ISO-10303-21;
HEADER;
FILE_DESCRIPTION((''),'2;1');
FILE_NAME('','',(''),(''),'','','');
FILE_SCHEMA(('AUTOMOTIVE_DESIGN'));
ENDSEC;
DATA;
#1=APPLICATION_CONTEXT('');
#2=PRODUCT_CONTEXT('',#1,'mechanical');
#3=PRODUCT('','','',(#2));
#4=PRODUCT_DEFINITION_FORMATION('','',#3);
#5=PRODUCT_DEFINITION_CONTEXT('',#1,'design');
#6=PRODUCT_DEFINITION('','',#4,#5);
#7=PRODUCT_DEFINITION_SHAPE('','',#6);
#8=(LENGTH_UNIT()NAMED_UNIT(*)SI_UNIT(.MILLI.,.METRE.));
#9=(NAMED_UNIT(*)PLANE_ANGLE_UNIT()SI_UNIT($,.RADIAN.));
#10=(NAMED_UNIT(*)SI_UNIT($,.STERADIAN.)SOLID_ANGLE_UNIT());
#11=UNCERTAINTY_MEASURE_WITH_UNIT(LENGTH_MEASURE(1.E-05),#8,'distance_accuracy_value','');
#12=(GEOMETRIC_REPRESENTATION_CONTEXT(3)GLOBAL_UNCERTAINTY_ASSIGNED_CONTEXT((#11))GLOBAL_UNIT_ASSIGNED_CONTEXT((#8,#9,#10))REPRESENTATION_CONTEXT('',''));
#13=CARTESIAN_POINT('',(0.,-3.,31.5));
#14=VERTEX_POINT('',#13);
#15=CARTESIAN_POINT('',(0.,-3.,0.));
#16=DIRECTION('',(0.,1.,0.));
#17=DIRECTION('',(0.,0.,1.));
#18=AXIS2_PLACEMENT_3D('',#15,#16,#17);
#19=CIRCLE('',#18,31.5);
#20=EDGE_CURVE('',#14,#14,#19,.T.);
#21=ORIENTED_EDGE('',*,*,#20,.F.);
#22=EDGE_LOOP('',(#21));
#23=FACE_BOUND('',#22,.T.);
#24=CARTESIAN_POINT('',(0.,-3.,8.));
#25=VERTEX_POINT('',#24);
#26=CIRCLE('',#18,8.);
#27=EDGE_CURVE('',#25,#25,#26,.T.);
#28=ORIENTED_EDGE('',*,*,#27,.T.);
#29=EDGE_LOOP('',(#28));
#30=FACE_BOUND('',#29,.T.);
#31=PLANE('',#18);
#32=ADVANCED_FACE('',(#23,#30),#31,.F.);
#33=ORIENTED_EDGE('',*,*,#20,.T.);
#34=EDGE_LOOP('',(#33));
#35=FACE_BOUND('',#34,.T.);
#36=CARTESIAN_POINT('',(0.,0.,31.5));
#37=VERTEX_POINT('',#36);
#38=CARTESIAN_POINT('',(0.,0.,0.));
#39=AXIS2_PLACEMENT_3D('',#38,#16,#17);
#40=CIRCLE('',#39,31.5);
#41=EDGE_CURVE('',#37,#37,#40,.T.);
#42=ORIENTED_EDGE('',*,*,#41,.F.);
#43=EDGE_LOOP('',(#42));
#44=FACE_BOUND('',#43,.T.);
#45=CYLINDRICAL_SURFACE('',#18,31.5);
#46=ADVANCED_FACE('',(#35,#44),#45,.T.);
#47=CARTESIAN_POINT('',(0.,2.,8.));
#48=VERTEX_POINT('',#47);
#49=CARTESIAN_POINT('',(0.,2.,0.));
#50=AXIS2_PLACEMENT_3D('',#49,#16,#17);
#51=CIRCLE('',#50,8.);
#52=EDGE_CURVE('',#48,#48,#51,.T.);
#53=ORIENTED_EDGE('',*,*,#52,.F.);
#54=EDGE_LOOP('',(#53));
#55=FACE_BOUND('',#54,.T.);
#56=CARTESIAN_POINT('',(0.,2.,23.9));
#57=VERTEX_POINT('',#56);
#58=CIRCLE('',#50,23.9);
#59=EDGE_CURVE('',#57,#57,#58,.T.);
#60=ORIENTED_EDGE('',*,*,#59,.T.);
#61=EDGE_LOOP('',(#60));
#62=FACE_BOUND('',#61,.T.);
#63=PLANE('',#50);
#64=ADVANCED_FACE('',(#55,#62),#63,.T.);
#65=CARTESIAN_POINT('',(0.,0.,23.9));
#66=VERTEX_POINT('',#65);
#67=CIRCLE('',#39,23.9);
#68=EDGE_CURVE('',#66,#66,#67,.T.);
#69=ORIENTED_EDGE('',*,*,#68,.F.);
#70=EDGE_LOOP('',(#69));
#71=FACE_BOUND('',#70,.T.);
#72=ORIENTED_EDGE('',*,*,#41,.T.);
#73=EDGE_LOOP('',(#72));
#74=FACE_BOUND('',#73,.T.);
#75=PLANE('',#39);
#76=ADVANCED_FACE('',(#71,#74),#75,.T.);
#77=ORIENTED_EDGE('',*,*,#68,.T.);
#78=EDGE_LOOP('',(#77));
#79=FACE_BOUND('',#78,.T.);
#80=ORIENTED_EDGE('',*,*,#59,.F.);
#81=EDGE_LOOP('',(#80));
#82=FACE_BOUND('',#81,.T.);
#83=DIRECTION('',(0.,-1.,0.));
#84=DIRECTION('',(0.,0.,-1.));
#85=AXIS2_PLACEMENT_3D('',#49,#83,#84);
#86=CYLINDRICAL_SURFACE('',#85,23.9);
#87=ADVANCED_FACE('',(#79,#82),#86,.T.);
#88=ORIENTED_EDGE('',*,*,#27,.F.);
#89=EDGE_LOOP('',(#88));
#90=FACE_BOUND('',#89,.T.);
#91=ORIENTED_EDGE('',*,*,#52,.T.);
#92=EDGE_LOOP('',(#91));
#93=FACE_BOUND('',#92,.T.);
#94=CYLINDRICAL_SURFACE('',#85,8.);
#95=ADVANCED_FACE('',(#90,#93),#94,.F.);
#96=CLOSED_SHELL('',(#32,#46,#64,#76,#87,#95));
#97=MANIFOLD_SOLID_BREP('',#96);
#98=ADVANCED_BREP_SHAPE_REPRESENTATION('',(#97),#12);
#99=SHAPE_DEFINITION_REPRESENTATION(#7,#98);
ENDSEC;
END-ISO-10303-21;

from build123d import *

# Parameters (mm, degrees)
CROQUIS1_R              = 23.9
CROQUIS1_R_2            = 8
SALIENTE_EXTRUIR1_DEPTH = 2
SALIENTE_EXTRUIR2_START = -3
CROQUIS1_3_R            = 31.5
CROQUIS1_3_R_2          = 8
SALIENTE_EXTRUIR2_DEPTH = 3


with BuildPart() as part:
    # Croquis1 → Saliente-Extruir1 (new body)
    with BuildSketch(Plane(origin=(0, 0, 0), x_dir=(1, 0, 0), z_dir=(0, 1, 0))):
        Circle(CROQUIS1_R)
        Circle(CROQUIS1_R_2, mode=Mode.SUBTRACT)
    extrude(amount=SALIENTE_EXTRUIR1_DEPTH)

    # Croquis1<3> → Saliente-Extruir2 (add)
    with BuildSketch(Plane(origin=(0, 0, 0), x_dir=(1, 0, 0), z_dir=(0, 1, 0)).offset(SALIENTE_EXTRUIR2_START)):
        Circle(CROQUIS1_3_R)
        Circle(CROQUIS1_3_R_2, mode=Mode.SUBTRACT)
    extrude(amount=SALIENTE_EXTRUIR2_DEPTH)


solid = part.part
